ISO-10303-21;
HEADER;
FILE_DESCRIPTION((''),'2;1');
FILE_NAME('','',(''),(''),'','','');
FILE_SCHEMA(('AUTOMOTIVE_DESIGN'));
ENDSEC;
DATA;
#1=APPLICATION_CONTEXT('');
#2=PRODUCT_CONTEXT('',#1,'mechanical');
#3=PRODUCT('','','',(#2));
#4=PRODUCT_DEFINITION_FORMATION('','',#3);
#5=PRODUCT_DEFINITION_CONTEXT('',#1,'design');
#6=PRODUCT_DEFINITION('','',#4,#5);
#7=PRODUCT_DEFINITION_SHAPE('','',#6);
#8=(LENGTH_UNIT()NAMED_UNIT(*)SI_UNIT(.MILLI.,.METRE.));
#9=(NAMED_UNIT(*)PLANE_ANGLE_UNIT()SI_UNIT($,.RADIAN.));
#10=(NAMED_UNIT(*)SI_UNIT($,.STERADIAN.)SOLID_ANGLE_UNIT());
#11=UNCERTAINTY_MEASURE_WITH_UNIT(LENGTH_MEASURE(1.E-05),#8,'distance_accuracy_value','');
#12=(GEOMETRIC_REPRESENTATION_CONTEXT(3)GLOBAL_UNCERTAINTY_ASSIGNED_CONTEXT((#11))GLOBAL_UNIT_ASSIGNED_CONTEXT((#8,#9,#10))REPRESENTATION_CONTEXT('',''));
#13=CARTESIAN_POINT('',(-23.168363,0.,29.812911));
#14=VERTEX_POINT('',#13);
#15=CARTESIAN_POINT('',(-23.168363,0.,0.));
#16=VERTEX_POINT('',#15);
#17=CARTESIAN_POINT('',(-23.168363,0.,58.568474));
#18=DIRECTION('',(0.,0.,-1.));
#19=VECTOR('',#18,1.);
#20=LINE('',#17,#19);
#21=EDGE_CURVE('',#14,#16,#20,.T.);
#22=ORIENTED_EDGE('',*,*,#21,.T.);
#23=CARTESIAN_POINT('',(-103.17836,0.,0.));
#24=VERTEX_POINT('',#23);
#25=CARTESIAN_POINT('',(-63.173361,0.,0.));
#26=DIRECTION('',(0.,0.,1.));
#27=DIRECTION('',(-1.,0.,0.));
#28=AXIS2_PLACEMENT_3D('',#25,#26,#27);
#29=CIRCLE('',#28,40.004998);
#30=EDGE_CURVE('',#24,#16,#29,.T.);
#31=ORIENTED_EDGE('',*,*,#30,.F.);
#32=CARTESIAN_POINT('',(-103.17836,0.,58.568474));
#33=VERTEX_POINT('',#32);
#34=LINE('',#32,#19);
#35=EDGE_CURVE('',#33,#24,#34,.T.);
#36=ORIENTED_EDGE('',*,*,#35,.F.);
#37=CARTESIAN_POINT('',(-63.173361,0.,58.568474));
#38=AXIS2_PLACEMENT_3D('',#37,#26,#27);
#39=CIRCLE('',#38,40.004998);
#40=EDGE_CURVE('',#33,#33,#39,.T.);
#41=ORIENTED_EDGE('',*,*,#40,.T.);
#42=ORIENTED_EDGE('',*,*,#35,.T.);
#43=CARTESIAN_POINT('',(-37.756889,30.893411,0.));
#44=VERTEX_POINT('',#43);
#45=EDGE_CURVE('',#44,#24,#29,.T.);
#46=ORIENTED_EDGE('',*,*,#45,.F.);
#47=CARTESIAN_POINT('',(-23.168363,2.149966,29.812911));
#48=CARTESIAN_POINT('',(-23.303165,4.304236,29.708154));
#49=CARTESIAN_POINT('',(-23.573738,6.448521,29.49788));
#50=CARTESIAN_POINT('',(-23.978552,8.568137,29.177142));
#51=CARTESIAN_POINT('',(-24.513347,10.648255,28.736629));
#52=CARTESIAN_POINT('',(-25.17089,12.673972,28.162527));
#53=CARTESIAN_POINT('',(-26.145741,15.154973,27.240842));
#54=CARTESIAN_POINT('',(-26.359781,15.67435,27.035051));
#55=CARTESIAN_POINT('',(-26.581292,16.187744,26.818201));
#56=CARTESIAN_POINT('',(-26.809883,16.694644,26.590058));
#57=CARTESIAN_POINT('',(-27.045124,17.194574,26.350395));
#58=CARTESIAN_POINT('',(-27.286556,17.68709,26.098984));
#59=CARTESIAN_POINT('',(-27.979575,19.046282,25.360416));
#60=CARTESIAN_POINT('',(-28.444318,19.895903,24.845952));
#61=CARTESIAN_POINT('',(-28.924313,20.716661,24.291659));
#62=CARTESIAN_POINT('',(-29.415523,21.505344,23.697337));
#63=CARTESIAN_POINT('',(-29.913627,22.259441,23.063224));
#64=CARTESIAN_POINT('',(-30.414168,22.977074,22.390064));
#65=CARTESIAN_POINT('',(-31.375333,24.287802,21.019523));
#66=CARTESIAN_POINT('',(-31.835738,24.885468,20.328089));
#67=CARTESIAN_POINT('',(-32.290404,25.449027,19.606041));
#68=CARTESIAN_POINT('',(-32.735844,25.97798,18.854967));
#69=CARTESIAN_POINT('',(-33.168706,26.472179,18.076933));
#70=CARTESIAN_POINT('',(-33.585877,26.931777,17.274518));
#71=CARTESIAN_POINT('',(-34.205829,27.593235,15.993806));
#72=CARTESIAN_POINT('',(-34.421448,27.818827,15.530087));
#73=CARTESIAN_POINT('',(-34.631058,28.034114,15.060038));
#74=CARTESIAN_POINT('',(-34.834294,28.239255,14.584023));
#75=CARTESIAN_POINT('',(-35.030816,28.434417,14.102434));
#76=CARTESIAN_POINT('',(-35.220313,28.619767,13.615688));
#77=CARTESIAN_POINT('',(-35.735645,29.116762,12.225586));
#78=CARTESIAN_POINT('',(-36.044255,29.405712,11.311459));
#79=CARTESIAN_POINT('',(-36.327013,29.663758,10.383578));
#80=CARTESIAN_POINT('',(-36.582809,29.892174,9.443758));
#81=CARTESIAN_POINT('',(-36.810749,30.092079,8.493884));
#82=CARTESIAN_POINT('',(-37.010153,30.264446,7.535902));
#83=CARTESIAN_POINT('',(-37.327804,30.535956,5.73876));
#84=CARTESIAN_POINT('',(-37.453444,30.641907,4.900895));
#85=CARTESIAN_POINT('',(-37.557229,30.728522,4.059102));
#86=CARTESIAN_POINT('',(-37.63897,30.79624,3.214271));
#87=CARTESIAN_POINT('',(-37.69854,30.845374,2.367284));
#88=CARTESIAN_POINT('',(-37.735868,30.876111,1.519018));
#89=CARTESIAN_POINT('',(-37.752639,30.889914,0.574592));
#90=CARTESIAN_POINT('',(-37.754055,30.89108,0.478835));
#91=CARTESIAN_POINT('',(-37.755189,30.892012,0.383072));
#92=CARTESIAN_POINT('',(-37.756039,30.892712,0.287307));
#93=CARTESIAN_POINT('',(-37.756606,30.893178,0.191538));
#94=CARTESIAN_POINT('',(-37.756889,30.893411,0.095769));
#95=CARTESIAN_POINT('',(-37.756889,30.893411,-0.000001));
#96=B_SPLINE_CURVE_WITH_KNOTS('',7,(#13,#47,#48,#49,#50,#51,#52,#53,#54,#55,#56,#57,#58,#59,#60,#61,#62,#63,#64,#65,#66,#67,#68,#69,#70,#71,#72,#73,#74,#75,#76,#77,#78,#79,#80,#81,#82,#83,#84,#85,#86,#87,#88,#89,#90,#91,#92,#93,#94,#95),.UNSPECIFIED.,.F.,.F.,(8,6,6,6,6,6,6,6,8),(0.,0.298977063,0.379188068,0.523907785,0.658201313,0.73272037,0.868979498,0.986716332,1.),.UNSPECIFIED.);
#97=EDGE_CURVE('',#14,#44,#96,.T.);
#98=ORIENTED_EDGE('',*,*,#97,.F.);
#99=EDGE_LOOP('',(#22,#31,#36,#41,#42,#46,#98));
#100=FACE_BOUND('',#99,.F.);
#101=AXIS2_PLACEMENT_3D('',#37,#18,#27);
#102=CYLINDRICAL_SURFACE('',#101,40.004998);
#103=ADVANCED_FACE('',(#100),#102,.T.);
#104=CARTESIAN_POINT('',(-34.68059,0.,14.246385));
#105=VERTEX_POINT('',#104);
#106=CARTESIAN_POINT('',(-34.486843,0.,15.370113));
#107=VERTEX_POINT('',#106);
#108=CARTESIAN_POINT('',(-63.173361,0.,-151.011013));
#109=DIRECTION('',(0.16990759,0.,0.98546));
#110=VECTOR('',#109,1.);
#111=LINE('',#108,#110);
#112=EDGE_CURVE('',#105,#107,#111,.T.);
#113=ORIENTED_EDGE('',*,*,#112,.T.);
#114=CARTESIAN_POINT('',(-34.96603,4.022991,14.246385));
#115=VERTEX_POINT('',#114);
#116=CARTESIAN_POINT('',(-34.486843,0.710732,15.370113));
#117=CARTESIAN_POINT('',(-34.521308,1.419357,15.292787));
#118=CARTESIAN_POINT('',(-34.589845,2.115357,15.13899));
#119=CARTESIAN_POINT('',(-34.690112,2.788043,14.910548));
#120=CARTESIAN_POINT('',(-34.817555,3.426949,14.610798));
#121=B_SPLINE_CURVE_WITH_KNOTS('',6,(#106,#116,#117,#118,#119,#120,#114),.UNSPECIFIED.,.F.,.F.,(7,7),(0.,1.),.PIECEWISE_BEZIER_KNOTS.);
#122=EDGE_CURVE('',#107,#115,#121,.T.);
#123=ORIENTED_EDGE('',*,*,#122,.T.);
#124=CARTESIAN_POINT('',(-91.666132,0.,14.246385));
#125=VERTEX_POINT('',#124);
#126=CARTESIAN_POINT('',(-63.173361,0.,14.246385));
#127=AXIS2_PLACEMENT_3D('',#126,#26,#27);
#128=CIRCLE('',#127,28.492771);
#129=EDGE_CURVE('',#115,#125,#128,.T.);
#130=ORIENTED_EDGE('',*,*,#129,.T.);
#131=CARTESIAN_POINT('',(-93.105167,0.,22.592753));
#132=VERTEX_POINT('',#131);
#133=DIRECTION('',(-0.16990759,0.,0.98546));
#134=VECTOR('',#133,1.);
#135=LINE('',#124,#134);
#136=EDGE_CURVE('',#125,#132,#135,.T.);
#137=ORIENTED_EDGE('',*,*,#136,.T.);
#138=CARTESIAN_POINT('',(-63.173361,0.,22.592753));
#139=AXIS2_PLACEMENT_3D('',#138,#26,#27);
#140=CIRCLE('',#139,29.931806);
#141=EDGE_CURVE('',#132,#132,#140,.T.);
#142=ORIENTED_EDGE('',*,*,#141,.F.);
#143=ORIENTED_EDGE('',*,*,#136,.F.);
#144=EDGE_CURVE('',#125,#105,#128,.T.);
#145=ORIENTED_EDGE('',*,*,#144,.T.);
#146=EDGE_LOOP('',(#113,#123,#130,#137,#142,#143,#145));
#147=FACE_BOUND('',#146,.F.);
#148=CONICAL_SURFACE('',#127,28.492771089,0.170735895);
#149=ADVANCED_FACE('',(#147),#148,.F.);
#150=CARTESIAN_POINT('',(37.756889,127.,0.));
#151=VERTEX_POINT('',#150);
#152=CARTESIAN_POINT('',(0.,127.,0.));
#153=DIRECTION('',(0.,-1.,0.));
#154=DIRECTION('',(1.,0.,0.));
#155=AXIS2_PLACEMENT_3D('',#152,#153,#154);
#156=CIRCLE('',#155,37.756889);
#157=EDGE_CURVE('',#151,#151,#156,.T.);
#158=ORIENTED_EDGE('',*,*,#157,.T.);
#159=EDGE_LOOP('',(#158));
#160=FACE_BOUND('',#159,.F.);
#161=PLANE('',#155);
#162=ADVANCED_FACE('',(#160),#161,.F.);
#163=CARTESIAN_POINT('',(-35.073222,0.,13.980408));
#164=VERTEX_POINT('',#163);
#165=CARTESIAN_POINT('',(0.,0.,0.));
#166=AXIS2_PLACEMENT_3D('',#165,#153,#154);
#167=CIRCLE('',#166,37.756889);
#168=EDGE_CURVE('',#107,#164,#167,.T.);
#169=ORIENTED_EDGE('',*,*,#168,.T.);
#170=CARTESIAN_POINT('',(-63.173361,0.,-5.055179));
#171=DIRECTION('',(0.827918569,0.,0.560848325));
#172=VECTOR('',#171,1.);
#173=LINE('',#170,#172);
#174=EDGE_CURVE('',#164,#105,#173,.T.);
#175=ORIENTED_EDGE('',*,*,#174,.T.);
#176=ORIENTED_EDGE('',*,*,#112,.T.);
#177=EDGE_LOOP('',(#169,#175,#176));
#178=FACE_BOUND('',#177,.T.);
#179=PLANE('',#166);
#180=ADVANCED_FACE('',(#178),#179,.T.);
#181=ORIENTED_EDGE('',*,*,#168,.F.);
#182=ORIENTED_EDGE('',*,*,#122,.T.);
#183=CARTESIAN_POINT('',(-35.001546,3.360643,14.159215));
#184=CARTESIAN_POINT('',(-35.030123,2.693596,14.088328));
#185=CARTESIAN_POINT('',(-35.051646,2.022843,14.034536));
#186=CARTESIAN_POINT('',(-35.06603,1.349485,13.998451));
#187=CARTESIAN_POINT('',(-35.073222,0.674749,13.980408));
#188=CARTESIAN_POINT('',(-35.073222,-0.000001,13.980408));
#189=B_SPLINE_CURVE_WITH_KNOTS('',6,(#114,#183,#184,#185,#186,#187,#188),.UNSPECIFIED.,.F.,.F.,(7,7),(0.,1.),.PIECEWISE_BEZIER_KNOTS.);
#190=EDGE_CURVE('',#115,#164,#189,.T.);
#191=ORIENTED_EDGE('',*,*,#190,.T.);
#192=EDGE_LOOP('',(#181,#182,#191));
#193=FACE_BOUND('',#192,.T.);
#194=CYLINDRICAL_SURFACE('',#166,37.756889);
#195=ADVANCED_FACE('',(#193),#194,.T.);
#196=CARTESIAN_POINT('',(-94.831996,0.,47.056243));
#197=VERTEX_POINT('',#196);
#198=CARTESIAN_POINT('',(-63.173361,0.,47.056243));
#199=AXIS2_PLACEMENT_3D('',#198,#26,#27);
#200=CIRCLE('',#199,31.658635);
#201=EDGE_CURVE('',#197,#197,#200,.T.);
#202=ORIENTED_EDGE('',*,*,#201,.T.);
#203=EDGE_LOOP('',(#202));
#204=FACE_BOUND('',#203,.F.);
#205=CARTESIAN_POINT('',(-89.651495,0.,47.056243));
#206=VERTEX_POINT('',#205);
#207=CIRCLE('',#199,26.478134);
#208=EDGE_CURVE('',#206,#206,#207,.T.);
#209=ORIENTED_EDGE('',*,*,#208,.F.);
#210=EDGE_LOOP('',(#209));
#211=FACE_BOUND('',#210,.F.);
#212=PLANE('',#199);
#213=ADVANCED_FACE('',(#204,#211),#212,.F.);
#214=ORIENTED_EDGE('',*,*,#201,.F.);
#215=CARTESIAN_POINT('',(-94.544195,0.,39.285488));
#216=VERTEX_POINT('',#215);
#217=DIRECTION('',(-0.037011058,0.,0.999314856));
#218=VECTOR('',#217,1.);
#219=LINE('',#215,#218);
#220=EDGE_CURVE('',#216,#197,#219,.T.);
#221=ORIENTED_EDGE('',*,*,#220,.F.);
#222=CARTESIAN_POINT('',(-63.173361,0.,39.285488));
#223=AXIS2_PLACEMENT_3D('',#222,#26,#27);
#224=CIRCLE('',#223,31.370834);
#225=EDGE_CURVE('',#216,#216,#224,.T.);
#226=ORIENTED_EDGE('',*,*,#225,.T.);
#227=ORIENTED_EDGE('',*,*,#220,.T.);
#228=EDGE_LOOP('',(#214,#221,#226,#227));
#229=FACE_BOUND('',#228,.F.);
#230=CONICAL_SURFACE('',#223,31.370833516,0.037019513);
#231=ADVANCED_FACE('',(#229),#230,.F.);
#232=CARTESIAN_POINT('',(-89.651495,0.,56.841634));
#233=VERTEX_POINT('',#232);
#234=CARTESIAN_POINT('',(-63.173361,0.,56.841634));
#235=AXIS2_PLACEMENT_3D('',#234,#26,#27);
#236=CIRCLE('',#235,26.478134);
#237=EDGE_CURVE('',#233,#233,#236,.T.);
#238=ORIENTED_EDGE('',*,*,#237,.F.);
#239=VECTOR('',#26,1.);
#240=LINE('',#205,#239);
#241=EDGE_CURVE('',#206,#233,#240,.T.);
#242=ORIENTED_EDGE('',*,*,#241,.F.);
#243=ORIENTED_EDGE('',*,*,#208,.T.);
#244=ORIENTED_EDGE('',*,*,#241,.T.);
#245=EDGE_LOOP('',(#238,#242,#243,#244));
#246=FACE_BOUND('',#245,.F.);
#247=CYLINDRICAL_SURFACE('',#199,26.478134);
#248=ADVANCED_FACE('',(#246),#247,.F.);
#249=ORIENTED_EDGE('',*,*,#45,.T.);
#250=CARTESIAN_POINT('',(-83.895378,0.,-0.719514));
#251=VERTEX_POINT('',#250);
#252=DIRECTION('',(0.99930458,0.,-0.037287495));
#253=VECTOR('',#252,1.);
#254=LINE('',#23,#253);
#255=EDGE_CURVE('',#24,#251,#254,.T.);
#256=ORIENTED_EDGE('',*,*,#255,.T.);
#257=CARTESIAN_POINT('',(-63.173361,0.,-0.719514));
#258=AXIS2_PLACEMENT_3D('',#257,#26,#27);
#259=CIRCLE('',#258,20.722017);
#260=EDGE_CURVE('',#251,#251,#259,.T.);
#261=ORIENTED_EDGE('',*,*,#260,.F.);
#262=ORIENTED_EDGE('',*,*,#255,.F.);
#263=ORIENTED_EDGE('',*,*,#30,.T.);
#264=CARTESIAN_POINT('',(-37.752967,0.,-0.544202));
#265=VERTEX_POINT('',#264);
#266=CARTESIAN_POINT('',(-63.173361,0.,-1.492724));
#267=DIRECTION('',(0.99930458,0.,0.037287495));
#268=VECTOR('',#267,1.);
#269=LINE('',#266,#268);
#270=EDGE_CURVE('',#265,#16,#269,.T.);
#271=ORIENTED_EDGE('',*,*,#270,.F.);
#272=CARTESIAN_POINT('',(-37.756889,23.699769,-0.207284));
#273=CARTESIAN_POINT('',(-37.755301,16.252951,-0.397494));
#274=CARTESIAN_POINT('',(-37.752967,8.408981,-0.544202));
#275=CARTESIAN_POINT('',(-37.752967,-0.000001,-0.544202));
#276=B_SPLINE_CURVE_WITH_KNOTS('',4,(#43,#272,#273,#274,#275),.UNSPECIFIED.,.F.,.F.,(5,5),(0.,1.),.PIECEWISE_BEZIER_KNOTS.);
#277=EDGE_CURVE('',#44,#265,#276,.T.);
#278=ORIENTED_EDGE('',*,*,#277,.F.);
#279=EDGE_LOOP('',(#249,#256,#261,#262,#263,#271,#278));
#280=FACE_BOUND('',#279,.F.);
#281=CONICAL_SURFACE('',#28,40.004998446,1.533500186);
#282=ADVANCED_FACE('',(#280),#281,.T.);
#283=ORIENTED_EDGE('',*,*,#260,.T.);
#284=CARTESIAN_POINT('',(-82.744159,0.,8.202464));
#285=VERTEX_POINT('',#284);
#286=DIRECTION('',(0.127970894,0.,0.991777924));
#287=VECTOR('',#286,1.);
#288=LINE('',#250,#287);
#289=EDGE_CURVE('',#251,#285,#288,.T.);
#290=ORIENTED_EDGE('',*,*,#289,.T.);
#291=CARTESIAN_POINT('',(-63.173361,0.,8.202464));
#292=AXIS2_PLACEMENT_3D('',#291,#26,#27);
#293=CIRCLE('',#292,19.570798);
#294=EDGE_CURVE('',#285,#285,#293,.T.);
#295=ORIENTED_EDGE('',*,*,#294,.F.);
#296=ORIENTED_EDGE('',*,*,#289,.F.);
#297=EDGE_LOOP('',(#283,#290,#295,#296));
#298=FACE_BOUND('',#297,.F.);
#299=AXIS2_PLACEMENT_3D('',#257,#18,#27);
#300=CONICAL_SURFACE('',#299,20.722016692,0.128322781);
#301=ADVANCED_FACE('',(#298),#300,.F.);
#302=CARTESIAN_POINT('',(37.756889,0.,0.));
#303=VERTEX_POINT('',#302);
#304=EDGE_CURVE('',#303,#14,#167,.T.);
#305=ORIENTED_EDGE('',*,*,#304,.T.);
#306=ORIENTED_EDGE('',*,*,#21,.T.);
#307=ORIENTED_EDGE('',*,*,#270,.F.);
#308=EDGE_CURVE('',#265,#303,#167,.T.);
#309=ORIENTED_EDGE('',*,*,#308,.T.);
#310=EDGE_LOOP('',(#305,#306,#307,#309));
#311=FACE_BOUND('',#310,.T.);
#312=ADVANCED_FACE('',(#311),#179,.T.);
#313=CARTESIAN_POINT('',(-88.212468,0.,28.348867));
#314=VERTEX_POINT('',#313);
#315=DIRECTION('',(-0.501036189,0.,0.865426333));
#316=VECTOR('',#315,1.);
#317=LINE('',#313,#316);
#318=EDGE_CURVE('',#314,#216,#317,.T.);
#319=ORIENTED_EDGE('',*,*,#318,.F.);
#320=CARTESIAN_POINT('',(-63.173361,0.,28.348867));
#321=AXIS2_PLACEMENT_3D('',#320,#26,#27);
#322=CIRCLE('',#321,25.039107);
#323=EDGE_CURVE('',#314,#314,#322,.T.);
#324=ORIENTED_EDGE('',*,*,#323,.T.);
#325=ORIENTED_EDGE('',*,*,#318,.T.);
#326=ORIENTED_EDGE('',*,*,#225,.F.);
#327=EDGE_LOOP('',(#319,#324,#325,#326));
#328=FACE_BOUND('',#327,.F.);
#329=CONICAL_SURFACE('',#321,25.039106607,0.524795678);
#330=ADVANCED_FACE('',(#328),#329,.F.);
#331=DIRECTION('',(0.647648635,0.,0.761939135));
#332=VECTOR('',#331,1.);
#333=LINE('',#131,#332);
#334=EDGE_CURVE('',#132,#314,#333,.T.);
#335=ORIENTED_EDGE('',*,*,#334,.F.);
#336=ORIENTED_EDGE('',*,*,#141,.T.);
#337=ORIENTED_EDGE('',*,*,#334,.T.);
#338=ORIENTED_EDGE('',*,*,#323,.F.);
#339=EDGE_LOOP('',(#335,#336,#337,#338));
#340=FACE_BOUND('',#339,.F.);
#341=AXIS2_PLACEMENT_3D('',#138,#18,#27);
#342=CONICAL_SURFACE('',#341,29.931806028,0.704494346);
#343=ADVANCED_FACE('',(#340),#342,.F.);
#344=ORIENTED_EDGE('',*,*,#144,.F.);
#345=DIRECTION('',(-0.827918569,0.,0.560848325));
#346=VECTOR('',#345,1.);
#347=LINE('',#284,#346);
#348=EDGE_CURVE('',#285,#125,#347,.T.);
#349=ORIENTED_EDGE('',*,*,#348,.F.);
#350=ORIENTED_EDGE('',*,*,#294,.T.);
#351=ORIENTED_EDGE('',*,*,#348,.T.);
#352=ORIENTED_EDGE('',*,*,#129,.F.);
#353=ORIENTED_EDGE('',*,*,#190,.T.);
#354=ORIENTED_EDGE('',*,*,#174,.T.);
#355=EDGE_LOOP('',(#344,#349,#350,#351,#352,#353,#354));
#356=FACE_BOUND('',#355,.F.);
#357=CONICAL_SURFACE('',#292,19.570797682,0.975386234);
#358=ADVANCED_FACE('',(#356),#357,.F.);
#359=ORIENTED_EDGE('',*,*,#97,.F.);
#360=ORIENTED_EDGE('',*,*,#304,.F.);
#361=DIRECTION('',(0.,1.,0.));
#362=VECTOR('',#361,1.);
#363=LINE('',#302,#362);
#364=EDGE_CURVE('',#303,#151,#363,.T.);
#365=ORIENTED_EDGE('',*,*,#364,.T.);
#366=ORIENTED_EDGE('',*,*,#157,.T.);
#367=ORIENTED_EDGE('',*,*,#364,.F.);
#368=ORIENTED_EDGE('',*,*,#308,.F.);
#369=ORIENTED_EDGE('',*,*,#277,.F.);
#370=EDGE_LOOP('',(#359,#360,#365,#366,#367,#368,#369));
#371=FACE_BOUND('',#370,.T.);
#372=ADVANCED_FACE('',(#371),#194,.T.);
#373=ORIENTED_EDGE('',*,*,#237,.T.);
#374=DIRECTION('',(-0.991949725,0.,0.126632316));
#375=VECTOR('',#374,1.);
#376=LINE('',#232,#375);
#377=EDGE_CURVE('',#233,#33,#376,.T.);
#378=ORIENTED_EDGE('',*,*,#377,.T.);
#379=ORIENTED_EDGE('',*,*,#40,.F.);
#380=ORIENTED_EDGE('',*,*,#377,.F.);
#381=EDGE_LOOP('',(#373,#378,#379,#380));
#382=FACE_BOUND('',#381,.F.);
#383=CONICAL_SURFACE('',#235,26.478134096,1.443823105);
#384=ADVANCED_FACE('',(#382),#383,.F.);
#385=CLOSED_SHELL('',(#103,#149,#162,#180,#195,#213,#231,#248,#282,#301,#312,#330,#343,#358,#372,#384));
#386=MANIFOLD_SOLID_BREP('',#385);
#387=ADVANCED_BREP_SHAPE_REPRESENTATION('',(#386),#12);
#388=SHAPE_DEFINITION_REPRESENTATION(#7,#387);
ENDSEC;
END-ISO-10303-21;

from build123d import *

# Parameters (mm, degrees)
F0_R     = 37.756889476
F1_DEPTH = 127


with BuildPart() as f1:
    # F0 (on Front) → F1 (new body)
    with BuildSketch(Plane.XZ):
        Circle(F0_R)
    extrude(amount=-F1_DEPTH)

    # F2 (on Front) → F3 (revolve)
    with BuildSketch(Plane.XZ):
        Polygon((-103.1783595681, 58.5684739053), (-103.1783595681, 0), (-83.8953778148, -0.7195144426), (-82.7441588044, 8.2024643198), (-91.6661322117, 14.2463846132), (-93.1051671505, 22.5927531719), (-88.21246773, 28.3488668501), (-94.5441946387, 39.2854884267), (-94.831995666, 47.0562428236), (-89.6514952183, 47.0562428236), (-89.6514952183, 56.8416342139), align=None)
    revolve(axis=Axis((-63.1733611226, 0, 28.420817107), (0, 0, 1)))


solid = f1.part
